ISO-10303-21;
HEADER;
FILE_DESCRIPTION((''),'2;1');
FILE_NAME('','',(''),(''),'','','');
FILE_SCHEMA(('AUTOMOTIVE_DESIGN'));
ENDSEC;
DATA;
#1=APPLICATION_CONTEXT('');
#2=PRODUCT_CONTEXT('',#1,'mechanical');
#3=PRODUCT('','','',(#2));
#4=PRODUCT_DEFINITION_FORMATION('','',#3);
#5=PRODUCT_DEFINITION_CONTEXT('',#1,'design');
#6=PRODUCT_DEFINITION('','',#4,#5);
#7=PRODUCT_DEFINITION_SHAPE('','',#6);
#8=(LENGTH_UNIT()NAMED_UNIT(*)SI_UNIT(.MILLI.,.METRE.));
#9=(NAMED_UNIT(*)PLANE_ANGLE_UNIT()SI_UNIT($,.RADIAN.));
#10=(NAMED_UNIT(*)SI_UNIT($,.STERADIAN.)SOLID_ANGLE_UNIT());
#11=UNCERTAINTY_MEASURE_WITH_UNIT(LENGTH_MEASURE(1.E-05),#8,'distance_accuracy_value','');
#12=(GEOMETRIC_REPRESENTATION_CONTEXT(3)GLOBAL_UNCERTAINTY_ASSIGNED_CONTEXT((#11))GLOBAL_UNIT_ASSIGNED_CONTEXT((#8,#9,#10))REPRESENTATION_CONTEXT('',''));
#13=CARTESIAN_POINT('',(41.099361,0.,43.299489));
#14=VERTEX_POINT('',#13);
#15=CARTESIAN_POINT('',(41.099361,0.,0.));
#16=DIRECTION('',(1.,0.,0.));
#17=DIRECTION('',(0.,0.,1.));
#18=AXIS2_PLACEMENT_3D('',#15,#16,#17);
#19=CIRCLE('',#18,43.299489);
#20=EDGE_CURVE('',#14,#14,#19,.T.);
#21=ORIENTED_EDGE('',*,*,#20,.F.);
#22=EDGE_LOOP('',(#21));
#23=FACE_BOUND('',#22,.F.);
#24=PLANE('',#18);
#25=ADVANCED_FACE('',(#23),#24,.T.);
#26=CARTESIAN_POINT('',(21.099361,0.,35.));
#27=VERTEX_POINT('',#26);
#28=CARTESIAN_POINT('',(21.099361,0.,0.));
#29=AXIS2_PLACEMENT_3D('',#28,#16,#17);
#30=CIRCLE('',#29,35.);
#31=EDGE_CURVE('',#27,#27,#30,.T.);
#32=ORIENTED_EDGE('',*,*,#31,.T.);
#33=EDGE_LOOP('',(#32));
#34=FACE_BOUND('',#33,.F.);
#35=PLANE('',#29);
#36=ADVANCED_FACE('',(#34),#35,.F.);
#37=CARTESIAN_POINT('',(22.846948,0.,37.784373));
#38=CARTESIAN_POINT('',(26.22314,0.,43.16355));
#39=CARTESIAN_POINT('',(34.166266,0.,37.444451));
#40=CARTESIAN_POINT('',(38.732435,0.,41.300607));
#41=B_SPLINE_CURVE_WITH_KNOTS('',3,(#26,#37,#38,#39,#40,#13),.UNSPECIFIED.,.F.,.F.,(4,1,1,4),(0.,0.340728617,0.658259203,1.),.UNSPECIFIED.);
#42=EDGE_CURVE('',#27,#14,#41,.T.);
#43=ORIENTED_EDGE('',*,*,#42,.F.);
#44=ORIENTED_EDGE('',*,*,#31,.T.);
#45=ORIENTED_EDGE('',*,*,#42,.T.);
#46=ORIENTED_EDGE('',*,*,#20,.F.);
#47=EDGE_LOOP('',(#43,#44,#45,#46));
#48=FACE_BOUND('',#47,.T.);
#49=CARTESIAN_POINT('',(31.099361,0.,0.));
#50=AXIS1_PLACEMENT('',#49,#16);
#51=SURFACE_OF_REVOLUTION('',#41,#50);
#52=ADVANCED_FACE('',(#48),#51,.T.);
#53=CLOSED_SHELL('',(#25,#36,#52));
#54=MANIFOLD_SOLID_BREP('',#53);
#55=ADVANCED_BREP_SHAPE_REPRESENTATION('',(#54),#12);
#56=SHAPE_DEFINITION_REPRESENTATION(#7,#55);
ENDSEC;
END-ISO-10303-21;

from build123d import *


with BuildPart() as f1:
    # F0 (on Front) → F1 (revolve)
    with BuildSketch(Plane.XZ):
        with BuildLine():
            Line((21.0993606597, 35), (21.0993606597, 0))
            Line((21.0993606597, 0), (41.0993606597, 0))
            Line((41.0993606597, 0), (41.0993606597, 43.2994892391))
            add(Edge.make_bspline(
                [(21.0993606597, 35), (22.8469479058, 37.7843732328), (26.2231403644, 43.1635495408), (34.1662660158, 37.4444506795), (38.7324351238, 41.3006069229), (41.0993606597, 43.2994892391)],
                knots=[0, 0, 0, 0, 0.3407286171, 0.6582592027, 1, 1, 1, 1], degree=3))
        make_face()
    revolve(axis=Axis((31.0993606597, 0, 0), (1, 0, 0)))


solid = f1.part
